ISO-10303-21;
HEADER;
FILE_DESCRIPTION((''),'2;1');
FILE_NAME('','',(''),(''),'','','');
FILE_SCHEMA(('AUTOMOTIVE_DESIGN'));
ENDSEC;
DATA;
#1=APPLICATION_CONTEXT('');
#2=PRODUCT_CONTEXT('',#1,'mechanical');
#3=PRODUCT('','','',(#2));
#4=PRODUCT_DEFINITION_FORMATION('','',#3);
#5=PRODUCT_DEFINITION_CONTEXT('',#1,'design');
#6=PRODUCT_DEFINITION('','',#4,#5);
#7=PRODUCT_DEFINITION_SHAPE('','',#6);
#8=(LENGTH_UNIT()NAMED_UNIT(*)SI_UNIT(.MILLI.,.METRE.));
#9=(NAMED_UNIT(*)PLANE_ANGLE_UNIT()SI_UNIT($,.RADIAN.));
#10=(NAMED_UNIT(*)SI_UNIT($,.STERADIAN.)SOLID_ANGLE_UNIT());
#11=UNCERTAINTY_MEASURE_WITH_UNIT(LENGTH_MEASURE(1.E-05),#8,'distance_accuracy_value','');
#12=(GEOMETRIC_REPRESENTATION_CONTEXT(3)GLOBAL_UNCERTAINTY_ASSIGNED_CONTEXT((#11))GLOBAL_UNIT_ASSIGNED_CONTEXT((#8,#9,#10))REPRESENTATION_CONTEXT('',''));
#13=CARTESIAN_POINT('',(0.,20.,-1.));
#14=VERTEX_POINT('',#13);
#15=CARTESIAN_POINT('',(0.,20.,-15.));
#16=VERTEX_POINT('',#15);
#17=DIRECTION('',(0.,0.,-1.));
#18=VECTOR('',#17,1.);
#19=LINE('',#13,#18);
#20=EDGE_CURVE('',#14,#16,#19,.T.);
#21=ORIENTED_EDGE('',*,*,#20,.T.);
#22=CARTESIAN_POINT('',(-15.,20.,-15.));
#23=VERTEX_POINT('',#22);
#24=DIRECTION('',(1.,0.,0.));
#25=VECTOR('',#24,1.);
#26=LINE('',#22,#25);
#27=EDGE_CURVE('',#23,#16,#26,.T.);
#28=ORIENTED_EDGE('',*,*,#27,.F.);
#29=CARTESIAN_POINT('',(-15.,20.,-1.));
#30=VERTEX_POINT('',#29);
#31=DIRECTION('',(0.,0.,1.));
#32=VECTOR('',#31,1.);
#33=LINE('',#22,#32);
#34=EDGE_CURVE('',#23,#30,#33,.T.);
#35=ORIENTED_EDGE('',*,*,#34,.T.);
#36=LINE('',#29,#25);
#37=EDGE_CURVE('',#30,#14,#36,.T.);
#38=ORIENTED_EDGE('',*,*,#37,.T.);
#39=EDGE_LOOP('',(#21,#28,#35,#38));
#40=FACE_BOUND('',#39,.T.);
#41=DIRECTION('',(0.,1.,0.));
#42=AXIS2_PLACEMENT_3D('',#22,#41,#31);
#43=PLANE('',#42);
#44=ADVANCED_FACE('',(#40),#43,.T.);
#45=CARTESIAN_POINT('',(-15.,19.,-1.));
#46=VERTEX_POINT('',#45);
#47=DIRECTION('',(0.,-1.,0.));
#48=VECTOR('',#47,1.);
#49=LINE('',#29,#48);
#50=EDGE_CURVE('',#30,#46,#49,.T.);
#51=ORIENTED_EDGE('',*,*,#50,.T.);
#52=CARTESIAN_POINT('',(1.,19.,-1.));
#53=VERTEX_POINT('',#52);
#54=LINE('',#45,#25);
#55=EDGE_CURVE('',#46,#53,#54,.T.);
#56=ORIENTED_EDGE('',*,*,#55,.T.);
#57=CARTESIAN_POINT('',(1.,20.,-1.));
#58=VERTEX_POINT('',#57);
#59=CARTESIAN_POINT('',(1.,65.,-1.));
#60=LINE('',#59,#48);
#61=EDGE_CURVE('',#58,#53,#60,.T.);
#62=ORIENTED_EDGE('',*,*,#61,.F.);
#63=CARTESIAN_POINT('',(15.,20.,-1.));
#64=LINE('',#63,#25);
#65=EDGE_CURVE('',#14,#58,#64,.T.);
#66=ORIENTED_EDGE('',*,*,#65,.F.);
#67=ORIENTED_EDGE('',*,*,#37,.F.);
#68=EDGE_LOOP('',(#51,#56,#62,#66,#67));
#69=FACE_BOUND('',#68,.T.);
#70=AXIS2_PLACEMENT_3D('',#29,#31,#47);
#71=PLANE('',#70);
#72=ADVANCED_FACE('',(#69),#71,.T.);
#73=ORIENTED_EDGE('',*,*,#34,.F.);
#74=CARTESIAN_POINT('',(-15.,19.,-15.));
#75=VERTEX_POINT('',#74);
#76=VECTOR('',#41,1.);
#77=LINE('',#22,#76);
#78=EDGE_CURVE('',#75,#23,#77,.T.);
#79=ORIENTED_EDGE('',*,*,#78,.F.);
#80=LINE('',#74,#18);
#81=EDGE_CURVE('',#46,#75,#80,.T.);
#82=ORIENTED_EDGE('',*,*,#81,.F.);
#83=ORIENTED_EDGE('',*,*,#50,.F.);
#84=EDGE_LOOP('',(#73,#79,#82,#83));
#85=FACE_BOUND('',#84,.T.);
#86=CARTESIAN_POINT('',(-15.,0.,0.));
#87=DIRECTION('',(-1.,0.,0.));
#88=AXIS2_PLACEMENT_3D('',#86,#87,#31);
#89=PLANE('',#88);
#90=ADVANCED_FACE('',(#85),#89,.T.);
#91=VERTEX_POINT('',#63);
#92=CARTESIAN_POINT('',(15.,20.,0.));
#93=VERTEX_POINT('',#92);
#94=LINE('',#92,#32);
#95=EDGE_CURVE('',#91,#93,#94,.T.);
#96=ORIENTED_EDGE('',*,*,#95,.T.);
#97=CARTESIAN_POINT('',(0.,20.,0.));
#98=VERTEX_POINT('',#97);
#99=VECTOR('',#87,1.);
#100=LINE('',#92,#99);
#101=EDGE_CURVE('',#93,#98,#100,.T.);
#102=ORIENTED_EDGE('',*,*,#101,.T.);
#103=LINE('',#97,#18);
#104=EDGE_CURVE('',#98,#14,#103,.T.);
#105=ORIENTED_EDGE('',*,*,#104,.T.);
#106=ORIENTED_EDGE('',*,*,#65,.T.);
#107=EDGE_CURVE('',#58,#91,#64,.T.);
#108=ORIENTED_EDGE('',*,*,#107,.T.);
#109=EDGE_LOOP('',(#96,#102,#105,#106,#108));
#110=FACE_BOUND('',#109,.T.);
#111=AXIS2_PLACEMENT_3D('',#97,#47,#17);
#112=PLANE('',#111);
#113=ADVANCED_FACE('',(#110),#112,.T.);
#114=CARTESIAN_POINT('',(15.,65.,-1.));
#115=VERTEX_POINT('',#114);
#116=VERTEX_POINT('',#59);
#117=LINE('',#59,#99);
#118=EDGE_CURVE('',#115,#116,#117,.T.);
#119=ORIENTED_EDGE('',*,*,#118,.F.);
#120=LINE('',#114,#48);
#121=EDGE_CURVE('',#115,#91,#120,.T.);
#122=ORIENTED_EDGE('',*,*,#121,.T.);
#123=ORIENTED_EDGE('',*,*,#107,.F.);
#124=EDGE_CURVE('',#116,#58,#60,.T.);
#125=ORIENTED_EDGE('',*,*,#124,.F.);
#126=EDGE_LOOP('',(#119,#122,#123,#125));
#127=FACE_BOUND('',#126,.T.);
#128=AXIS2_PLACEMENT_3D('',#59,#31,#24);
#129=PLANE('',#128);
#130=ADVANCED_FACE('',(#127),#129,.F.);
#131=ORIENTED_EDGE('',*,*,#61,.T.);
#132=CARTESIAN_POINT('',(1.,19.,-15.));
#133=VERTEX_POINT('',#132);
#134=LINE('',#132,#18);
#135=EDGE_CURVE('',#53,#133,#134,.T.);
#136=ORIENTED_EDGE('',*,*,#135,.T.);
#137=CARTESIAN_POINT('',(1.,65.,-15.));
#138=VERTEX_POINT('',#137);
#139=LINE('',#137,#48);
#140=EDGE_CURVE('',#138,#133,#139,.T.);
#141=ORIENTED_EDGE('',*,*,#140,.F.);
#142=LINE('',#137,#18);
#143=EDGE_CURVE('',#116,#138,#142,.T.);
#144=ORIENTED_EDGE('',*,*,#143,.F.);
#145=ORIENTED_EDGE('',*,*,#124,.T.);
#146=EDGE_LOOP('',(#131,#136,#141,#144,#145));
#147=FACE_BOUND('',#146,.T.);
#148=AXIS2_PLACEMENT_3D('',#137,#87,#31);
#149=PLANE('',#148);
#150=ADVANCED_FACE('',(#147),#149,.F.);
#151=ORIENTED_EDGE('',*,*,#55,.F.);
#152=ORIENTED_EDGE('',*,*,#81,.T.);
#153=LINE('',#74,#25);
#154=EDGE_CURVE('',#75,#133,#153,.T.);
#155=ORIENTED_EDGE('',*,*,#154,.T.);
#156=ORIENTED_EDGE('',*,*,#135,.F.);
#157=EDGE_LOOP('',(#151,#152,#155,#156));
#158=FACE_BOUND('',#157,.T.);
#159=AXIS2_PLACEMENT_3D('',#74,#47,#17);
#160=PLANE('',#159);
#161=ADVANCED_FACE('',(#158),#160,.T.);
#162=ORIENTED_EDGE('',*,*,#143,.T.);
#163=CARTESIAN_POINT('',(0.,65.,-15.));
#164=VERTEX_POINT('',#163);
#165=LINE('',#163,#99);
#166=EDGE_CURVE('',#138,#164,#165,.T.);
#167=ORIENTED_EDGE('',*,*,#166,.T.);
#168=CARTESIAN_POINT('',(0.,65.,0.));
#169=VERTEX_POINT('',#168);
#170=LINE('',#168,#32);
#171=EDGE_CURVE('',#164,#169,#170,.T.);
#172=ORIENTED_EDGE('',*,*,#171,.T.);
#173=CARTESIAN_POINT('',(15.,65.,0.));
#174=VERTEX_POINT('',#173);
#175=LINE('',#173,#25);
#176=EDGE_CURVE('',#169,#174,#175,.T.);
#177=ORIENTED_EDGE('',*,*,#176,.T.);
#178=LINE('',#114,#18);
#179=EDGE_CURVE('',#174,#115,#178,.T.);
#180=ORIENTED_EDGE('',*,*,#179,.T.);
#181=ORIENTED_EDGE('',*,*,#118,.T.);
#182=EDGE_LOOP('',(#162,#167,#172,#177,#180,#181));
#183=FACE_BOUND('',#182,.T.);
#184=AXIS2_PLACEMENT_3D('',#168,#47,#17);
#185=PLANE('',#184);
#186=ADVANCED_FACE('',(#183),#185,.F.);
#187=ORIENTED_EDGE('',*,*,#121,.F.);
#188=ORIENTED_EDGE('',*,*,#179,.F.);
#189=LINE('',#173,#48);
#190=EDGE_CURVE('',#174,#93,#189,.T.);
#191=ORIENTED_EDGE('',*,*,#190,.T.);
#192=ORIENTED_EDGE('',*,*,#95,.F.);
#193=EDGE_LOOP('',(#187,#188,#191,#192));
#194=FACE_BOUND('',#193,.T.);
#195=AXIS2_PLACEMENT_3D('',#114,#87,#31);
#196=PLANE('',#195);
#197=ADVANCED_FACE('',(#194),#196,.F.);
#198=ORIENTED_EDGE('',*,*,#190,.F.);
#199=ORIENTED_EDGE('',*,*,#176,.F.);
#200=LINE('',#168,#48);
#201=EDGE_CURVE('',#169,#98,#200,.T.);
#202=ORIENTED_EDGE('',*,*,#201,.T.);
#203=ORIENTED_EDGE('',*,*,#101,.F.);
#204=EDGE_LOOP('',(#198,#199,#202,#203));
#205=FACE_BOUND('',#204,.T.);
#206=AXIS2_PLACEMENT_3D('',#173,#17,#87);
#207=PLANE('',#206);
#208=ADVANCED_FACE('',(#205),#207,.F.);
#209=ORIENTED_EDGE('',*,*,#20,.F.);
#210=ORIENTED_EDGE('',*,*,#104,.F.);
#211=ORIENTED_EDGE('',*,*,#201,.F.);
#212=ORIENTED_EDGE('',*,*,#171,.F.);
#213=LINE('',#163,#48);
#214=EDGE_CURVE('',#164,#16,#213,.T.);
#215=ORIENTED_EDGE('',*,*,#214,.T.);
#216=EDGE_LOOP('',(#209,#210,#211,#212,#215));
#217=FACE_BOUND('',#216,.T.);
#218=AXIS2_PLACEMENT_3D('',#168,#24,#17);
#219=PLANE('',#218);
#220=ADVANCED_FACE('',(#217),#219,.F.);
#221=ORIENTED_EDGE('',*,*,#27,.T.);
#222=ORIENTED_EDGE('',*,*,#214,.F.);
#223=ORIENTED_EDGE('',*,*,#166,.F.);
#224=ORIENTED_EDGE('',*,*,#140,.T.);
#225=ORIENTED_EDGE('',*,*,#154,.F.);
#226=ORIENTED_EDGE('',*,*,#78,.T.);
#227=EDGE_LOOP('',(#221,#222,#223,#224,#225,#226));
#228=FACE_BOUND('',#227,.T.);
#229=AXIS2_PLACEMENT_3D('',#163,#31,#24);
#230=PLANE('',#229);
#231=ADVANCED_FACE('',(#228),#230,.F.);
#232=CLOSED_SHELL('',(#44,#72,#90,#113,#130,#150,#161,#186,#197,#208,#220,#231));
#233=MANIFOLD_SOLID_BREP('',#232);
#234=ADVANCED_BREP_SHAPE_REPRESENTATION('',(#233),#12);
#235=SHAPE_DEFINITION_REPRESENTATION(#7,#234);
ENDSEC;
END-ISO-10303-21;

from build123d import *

# Parameters (mm, degrees)
EXTRUDE_1_DEPTH     = 65
SKETCH_3_W          = 1
SKETCH_3_H          = 14
CUT_EXTRUDE_1_DEPTH = 20
SKETCH_5_W          = 14
SKETCH_5_H          = 1
EXTRUDE_4_DEPTH     = 16
SKETCH_6_W          = 15
SKETCH_6_H          = 1
CUT_EXTRUDE_2_DEPTH = 19
SKETCH_7_W          = 15
SKETCH_7_H          = 1
CUT_EXTRUDE_3_DEPTH = 1


with BuildPart() as part:
    # Эскиз1 → Бобышка-Вытянуть1 (new body)
    with BuildSketch(Plane(origin=(0, 0, 0), x_dir=(1, 0, 0), z_dir=(0, 1, 0))):
        Polygon((0, 0), (0, 15), (1, 15), (1, 1), (15, 1), (15, 0), align=None)
    extrude(amount=EXTRUDE_1_DEPTH)

    # Эскиз3 → Вырез-Вытянуть1 (cut)
    with BuildSketch(Plane.XZ):
        with Locations((0.5, -8)):
            Rectangle(SKETCH_3_W, SKETCH_3_H)
    extrude(amount=-CUT_EXTRUDE_1_DEPTH, mode=Mode.SUBTRACT)

    # Эскиз5 → Бобышка-Вытянуть4 (add)
    with BuildSketch(Plane(origin=(1, 0, 0), x_dir=(0, 0, -1), z_dir=(1, 0, 0))):
        with Locations((8, 19.5)):
            Rectangle(SKETCH_5_W, SKETCH_5_H)
    extrude(amount=-EXTRUDE_4_DEPTH)

    # Эскиз6 → Вырез-Вытянуть2 (cut)
    with BuildSketch(Plane.XZ):
        with Locations((7.5, -0.5)):
            Rectangle(SKETCH_6_W, SKETCH_6_H)
    extrude(amount=-CUT_EXTRUDE_2_DEPTH, mode=Mode.SUBTRACT)

    # Эскиз7 → Вырез-Вытянуть3 (cut)
    with BuildSketch(Plane.XZ.offset(-19)):
        with Locations((7.5, -0.5)):
            Rectangle(SKETCH_7_W, SKETCH_7_H)
    extrude(amount=-CUT_EXTRUDE_3_DEPTH, mode=Mode.SUBTRACT)


solid = part.part
